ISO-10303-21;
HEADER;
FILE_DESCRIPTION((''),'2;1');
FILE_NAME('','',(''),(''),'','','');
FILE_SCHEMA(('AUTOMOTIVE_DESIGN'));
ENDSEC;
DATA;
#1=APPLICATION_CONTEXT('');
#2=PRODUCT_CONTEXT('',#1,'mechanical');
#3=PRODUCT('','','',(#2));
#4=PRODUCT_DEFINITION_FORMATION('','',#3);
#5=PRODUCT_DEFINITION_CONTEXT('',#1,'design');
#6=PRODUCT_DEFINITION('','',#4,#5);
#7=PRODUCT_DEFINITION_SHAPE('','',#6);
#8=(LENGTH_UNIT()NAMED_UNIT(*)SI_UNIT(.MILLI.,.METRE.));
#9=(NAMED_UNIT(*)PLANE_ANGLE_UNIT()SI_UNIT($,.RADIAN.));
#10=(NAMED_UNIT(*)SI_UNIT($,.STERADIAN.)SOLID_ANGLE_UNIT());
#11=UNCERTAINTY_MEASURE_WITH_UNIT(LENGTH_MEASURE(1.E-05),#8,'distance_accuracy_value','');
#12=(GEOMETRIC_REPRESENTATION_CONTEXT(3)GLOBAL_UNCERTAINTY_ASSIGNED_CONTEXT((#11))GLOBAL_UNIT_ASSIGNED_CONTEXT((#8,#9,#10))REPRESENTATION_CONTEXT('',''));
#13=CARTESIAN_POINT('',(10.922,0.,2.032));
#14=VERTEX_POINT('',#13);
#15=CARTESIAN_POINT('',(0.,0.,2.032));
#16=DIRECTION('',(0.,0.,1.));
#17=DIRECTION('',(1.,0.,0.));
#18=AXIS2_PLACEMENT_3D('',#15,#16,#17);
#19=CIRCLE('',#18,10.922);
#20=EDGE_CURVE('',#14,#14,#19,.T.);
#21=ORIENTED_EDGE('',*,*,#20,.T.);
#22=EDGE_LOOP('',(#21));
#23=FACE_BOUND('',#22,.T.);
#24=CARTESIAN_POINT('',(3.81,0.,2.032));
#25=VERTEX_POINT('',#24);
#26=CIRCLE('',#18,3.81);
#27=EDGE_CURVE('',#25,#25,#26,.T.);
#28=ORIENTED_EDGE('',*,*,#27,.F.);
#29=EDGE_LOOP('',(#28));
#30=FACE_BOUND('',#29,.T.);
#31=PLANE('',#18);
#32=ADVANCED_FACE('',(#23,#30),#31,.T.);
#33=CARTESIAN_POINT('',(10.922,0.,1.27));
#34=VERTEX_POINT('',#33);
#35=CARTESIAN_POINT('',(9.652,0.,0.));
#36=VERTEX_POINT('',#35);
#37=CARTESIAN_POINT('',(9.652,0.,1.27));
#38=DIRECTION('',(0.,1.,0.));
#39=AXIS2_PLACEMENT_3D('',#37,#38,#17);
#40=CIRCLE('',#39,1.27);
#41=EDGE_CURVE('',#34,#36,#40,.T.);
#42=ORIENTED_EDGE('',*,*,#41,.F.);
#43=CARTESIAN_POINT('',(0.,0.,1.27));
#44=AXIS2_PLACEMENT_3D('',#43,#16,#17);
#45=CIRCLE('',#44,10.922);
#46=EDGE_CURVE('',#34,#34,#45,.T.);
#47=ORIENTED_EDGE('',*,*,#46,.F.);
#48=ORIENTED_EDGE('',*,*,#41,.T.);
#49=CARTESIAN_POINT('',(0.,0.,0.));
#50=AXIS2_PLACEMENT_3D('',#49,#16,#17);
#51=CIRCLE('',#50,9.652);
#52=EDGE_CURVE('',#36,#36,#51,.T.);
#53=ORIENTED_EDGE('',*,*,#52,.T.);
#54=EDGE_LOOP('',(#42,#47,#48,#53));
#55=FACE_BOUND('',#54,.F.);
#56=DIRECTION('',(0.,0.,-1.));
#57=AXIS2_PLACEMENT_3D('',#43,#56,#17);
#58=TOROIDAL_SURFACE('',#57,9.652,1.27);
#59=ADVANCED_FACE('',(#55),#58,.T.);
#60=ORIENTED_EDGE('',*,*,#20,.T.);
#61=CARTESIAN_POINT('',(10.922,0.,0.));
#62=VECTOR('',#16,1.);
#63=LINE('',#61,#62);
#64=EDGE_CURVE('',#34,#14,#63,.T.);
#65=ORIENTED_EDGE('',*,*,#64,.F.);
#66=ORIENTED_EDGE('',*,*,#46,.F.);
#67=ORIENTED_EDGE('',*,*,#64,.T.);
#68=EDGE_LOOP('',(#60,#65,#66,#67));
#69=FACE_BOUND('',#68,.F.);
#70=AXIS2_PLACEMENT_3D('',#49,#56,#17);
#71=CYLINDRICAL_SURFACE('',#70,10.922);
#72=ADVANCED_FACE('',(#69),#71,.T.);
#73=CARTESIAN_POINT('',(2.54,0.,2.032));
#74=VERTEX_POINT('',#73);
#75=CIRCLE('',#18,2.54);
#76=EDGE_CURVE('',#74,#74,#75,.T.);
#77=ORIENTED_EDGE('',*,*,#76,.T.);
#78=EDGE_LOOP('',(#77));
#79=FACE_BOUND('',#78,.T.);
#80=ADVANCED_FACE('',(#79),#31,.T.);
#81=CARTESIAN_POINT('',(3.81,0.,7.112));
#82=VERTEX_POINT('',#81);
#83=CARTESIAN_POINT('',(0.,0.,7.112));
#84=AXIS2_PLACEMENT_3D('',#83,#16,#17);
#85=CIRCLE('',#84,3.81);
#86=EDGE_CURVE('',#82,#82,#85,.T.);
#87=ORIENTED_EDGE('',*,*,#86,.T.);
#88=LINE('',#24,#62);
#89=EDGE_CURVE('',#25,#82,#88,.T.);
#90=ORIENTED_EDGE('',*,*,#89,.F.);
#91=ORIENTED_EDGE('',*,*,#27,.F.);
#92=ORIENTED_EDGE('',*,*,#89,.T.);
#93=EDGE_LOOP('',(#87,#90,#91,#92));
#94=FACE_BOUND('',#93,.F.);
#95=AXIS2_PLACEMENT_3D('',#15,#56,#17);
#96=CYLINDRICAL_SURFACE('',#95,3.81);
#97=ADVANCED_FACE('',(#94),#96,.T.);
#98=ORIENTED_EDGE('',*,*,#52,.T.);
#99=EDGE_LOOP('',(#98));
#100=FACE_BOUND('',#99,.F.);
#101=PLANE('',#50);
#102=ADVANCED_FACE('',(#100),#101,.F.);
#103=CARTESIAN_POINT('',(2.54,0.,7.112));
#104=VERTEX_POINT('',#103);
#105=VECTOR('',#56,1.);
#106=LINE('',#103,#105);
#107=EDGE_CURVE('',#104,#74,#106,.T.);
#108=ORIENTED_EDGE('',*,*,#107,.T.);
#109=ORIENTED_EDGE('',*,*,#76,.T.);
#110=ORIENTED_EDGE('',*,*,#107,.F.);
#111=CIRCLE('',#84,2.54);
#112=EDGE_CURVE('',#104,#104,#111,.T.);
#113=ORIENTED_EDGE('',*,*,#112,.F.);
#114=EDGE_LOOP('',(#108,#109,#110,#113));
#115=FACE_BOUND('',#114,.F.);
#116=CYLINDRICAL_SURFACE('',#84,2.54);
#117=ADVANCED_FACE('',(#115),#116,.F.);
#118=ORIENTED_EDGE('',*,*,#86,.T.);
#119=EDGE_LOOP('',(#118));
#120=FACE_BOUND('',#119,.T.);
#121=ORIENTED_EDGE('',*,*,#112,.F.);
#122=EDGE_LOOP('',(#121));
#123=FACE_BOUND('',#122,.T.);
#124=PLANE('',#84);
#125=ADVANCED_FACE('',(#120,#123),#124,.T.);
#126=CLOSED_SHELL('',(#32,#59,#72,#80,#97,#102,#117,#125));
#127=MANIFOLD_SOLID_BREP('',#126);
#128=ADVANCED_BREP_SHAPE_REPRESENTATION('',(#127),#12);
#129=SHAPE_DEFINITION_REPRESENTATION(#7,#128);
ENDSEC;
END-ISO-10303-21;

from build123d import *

# Parameters (mm, degrees)
F0_R     = 10.922
F1_DEPTH = 2.032
F2_R     = 3.81
F3_DEPTH = 5.08
F4_R     = 2.54
F5_DEPTH = 5.08
F6_R     = 1.27


with BuildPart() as f1:
    # F0 (on Top) → F1 (new body)
    with BuildSketch(Plane.XY):
        Circle(F0_R)
    extrude(amount=F1_DEPTH)

    # F2 (on face) → F3 (join)
    with BuildSketch(Plane.XY.offset(2.032)):
        Circle(F2_R)
    extrude(amount=F3_DEPTH)

    # F4 (on face) → F5 (cut, through all)
    with BuildSketch(Plane.XY.offset(7.112)):
        Circle(F4_R)
    extrude(amount=-F5_DEPTH, mode=Mode.SUBTRACT)

    # F6
    f6_edges = [f1.edges().sort_by_distance(p)[0] for p in [
        (-10.922, 0, 0),
    ]]
    fillet(f6_edges, radius=F6_R)


solid = f1.part
